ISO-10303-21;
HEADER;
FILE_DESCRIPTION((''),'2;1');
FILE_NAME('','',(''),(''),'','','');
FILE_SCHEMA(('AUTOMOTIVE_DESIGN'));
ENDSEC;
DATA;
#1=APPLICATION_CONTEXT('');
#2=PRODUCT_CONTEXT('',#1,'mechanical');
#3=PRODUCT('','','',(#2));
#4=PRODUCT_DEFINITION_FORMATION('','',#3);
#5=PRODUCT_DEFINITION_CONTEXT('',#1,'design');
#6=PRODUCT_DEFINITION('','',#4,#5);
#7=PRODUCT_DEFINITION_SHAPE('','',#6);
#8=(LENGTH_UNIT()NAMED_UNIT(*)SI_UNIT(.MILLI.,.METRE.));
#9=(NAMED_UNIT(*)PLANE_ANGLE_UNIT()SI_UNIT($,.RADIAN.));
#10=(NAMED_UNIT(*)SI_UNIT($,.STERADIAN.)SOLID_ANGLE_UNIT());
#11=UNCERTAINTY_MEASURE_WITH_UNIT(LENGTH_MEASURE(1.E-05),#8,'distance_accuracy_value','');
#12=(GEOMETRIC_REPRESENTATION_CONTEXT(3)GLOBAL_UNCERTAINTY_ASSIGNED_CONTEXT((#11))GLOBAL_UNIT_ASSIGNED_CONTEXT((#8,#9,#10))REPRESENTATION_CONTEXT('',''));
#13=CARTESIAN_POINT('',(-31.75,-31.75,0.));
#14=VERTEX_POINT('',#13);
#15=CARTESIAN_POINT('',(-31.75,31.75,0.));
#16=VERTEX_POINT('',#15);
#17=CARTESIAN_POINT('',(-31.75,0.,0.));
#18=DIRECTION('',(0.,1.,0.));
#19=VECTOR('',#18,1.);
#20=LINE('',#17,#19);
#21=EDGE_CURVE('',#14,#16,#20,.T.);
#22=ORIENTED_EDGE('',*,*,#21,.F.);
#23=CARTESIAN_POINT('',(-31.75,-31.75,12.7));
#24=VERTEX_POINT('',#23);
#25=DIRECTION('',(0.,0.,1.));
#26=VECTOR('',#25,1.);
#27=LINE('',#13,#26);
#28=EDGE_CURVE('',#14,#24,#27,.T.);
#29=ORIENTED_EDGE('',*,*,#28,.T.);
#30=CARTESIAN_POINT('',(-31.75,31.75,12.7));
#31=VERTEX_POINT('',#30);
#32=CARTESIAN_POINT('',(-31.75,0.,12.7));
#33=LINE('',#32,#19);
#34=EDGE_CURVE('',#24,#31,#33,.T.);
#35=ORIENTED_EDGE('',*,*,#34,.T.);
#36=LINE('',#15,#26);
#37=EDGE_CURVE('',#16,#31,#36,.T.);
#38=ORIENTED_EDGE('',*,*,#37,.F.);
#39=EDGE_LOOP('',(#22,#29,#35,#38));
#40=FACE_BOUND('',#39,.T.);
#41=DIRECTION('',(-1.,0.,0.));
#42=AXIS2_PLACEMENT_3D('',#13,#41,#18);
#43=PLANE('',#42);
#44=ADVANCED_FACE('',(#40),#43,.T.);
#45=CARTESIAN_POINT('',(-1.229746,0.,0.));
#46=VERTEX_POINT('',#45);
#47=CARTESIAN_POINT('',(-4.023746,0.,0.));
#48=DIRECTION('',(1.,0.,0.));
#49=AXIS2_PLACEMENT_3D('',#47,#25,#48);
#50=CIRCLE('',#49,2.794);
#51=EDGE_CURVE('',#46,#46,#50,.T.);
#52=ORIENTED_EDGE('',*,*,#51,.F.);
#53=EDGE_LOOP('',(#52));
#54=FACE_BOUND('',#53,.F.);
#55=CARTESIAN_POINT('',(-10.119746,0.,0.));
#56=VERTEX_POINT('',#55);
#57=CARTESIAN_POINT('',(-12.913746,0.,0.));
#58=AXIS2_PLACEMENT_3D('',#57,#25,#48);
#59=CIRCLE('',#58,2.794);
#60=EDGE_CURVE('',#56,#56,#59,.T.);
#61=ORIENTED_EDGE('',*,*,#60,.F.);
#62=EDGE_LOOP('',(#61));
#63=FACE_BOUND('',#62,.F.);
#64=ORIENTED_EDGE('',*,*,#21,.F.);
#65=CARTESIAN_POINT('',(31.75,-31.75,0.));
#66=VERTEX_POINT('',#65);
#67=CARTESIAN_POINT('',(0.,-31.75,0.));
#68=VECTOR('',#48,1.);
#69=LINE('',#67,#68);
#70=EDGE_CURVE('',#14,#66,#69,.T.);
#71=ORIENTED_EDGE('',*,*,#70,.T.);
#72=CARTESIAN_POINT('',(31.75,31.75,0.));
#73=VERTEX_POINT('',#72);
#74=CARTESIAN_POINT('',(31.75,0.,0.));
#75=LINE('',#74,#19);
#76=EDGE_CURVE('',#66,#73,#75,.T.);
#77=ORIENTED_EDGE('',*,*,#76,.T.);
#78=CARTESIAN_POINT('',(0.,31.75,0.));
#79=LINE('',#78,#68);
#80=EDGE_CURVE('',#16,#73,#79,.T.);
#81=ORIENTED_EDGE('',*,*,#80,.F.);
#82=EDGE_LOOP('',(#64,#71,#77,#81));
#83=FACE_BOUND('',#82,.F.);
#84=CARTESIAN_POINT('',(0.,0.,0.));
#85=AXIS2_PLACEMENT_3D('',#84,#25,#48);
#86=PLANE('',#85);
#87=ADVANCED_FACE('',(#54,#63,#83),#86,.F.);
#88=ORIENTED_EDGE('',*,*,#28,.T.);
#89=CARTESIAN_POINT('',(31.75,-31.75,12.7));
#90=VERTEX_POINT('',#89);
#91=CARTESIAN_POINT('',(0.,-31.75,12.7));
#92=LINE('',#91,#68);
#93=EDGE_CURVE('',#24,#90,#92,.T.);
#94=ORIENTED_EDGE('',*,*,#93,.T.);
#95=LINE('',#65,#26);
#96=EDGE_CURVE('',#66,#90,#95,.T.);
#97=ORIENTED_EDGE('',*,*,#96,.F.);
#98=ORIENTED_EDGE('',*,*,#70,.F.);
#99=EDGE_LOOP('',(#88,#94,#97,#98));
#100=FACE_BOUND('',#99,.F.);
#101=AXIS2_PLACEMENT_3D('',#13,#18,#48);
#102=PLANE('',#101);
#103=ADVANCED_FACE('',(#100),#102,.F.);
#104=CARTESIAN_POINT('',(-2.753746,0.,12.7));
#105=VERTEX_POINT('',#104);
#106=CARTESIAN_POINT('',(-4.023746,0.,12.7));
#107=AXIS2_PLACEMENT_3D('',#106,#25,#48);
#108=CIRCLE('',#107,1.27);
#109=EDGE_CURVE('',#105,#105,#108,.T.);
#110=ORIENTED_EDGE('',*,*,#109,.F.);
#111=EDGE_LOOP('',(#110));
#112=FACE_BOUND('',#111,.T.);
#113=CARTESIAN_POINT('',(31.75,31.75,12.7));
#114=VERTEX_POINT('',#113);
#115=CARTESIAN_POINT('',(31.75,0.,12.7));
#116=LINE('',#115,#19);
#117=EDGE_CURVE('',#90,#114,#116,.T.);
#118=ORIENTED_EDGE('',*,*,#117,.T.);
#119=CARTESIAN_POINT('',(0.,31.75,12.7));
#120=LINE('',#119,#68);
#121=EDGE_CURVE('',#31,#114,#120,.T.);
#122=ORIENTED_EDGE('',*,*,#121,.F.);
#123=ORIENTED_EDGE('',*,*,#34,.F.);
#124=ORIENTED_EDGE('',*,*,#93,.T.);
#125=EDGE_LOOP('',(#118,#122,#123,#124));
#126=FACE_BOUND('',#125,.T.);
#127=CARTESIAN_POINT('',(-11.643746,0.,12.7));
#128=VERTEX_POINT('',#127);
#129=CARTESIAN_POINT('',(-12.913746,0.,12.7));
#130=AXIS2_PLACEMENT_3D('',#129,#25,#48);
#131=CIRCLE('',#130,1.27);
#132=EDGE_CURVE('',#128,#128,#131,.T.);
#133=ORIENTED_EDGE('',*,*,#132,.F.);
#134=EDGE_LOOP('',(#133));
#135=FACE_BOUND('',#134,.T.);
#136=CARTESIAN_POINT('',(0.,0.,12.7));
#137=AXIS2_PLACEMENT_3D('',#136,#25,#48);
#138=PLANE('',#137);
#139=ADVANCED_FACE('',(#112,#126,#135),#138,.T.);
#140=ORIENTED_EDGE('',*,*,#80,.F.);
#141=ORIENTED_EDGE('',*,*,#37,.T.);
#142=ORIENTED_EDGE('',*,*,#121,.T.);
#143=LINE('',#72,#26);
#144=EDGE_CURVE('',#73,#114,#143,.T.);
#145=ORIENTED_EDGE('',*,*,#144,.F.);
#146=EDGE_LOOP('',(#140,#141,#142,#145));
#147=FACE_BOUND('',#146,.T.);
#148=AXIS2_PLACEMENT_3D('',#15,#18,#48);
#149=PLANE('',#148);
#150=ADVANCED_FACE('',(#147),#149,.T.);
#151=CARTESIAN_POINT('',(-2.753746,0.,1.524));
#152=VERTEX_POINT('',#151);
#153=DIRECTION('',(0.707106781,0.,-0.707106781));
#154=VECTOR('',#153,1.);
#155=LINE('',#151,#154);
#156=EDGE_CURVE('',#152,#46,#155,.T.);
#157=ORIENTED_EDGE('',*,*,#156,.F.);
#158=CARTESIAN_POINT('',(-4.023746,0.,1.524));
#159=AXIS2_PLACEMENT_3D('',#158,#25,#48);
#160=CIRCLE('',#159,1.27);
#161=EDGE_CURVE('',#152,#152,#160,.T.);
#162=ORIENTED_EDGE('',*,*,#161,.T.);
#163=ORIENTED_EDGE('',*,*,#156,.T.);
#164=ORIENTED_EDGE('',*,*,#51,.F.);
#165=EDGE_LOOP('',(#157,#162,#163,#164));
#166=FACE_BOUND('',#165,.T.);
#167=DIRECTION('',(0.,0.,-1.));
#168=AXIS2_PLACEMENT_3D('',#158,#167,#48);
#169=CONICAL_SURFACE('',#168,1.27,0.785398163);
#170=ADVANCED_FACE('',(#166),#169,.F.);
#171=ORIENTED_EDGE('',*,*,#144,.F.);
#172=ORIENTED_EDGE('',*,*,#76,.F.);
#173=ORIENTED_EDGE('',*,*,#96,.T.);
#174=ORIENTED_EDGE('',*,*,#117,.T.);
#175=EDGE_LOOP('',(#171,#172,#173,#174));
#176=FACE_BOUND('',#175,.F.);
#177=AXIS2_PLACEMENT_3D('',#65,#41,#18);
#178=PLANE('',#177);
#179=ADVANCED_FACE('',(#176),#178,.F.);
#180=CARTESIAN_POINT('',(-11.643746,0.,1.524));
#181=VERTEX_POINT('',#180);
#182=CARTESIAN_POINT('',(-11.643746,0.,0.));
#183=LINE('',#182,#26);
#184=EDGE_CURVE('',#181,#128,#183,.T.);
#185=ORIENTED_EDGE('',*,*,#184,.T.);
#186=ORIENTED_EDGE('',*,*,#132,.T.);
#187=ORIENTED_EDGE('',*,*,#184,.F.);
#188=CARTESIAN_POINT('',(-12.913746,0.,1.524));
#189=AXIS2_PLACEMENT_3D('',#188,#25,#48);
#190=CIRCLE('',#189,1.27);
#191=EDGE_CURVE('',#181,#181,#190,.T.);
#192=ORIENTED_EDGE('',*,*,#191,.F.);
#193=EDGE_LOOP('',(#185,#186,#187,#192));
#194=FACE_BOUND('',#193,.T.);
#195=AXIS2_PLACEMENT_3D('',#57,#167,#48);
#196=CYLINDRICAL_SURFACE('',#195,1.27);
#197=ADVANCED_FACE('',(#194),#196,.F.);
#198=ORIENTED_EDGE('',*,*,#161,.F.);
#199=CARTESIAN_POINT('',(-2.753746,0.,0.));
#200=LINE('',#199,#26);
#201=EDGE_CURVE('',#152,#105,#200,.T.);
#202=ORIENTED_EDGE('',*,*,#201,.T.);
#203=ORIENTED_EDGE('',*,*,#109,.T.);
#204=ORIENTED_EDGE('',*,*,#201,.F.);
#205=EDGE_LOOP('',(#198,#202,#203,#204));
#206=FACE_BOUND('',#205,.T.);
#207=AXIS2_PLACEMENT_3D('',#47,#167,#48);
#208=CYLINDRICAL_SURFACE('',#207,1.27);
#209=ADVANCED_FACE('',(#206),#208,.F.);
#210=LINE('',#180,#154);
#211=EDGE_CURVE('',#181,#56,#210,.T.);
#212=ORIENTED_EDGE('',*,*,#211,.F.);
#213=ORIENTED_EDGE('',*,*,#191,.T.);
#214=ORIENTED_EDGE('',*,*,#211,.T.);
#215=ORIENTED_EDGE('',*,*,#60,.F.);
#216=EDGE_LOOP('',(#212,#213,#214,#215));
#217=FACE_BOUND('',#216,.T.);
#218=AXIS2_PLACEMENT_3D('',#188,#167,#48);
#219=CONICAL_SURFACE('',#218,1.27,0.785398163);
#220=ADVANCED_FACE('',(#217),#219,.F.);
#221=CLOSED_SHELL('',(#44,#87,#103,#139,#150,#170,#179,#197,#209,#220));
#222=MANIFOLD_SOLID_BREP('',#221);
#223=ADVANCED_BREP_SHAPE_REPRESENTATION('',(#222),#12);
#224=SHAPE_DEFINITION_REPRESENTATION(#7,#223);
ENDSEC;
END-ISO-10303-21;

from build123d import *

# Parameters (mm, degrees)
F0_W     = 63.5
F0_H     = 63.5
F0_R     = 1.27
F1_DEPTH = 12.7
F2_SIZE  = 1.524


with BuildPart() as f1:
    # F0 (on Top) → F1 (new body)
    with BuildSketch(Plane.XY):
        Rectangle(F0_W, F0_H)
        with Locations((-12.913746, 0)):
            Circle(F0_R, mode=Mode.SUBTRACT)
        with Locations((-4.023746, 0)):
            Circle(F0_R, mode=Mode.SUBTRACT)
    extrude(amount=F1_DEPTH)

    # F2
    f2_edges = [f1.edges().sort_by_distance(p)[0] for p in [
        (-14.183746, 0, 0),
        (-5.293746, 0, 0),
    ]]
    chamfer(f2_edges, length=F2_SIZE)


solid = f1.part
